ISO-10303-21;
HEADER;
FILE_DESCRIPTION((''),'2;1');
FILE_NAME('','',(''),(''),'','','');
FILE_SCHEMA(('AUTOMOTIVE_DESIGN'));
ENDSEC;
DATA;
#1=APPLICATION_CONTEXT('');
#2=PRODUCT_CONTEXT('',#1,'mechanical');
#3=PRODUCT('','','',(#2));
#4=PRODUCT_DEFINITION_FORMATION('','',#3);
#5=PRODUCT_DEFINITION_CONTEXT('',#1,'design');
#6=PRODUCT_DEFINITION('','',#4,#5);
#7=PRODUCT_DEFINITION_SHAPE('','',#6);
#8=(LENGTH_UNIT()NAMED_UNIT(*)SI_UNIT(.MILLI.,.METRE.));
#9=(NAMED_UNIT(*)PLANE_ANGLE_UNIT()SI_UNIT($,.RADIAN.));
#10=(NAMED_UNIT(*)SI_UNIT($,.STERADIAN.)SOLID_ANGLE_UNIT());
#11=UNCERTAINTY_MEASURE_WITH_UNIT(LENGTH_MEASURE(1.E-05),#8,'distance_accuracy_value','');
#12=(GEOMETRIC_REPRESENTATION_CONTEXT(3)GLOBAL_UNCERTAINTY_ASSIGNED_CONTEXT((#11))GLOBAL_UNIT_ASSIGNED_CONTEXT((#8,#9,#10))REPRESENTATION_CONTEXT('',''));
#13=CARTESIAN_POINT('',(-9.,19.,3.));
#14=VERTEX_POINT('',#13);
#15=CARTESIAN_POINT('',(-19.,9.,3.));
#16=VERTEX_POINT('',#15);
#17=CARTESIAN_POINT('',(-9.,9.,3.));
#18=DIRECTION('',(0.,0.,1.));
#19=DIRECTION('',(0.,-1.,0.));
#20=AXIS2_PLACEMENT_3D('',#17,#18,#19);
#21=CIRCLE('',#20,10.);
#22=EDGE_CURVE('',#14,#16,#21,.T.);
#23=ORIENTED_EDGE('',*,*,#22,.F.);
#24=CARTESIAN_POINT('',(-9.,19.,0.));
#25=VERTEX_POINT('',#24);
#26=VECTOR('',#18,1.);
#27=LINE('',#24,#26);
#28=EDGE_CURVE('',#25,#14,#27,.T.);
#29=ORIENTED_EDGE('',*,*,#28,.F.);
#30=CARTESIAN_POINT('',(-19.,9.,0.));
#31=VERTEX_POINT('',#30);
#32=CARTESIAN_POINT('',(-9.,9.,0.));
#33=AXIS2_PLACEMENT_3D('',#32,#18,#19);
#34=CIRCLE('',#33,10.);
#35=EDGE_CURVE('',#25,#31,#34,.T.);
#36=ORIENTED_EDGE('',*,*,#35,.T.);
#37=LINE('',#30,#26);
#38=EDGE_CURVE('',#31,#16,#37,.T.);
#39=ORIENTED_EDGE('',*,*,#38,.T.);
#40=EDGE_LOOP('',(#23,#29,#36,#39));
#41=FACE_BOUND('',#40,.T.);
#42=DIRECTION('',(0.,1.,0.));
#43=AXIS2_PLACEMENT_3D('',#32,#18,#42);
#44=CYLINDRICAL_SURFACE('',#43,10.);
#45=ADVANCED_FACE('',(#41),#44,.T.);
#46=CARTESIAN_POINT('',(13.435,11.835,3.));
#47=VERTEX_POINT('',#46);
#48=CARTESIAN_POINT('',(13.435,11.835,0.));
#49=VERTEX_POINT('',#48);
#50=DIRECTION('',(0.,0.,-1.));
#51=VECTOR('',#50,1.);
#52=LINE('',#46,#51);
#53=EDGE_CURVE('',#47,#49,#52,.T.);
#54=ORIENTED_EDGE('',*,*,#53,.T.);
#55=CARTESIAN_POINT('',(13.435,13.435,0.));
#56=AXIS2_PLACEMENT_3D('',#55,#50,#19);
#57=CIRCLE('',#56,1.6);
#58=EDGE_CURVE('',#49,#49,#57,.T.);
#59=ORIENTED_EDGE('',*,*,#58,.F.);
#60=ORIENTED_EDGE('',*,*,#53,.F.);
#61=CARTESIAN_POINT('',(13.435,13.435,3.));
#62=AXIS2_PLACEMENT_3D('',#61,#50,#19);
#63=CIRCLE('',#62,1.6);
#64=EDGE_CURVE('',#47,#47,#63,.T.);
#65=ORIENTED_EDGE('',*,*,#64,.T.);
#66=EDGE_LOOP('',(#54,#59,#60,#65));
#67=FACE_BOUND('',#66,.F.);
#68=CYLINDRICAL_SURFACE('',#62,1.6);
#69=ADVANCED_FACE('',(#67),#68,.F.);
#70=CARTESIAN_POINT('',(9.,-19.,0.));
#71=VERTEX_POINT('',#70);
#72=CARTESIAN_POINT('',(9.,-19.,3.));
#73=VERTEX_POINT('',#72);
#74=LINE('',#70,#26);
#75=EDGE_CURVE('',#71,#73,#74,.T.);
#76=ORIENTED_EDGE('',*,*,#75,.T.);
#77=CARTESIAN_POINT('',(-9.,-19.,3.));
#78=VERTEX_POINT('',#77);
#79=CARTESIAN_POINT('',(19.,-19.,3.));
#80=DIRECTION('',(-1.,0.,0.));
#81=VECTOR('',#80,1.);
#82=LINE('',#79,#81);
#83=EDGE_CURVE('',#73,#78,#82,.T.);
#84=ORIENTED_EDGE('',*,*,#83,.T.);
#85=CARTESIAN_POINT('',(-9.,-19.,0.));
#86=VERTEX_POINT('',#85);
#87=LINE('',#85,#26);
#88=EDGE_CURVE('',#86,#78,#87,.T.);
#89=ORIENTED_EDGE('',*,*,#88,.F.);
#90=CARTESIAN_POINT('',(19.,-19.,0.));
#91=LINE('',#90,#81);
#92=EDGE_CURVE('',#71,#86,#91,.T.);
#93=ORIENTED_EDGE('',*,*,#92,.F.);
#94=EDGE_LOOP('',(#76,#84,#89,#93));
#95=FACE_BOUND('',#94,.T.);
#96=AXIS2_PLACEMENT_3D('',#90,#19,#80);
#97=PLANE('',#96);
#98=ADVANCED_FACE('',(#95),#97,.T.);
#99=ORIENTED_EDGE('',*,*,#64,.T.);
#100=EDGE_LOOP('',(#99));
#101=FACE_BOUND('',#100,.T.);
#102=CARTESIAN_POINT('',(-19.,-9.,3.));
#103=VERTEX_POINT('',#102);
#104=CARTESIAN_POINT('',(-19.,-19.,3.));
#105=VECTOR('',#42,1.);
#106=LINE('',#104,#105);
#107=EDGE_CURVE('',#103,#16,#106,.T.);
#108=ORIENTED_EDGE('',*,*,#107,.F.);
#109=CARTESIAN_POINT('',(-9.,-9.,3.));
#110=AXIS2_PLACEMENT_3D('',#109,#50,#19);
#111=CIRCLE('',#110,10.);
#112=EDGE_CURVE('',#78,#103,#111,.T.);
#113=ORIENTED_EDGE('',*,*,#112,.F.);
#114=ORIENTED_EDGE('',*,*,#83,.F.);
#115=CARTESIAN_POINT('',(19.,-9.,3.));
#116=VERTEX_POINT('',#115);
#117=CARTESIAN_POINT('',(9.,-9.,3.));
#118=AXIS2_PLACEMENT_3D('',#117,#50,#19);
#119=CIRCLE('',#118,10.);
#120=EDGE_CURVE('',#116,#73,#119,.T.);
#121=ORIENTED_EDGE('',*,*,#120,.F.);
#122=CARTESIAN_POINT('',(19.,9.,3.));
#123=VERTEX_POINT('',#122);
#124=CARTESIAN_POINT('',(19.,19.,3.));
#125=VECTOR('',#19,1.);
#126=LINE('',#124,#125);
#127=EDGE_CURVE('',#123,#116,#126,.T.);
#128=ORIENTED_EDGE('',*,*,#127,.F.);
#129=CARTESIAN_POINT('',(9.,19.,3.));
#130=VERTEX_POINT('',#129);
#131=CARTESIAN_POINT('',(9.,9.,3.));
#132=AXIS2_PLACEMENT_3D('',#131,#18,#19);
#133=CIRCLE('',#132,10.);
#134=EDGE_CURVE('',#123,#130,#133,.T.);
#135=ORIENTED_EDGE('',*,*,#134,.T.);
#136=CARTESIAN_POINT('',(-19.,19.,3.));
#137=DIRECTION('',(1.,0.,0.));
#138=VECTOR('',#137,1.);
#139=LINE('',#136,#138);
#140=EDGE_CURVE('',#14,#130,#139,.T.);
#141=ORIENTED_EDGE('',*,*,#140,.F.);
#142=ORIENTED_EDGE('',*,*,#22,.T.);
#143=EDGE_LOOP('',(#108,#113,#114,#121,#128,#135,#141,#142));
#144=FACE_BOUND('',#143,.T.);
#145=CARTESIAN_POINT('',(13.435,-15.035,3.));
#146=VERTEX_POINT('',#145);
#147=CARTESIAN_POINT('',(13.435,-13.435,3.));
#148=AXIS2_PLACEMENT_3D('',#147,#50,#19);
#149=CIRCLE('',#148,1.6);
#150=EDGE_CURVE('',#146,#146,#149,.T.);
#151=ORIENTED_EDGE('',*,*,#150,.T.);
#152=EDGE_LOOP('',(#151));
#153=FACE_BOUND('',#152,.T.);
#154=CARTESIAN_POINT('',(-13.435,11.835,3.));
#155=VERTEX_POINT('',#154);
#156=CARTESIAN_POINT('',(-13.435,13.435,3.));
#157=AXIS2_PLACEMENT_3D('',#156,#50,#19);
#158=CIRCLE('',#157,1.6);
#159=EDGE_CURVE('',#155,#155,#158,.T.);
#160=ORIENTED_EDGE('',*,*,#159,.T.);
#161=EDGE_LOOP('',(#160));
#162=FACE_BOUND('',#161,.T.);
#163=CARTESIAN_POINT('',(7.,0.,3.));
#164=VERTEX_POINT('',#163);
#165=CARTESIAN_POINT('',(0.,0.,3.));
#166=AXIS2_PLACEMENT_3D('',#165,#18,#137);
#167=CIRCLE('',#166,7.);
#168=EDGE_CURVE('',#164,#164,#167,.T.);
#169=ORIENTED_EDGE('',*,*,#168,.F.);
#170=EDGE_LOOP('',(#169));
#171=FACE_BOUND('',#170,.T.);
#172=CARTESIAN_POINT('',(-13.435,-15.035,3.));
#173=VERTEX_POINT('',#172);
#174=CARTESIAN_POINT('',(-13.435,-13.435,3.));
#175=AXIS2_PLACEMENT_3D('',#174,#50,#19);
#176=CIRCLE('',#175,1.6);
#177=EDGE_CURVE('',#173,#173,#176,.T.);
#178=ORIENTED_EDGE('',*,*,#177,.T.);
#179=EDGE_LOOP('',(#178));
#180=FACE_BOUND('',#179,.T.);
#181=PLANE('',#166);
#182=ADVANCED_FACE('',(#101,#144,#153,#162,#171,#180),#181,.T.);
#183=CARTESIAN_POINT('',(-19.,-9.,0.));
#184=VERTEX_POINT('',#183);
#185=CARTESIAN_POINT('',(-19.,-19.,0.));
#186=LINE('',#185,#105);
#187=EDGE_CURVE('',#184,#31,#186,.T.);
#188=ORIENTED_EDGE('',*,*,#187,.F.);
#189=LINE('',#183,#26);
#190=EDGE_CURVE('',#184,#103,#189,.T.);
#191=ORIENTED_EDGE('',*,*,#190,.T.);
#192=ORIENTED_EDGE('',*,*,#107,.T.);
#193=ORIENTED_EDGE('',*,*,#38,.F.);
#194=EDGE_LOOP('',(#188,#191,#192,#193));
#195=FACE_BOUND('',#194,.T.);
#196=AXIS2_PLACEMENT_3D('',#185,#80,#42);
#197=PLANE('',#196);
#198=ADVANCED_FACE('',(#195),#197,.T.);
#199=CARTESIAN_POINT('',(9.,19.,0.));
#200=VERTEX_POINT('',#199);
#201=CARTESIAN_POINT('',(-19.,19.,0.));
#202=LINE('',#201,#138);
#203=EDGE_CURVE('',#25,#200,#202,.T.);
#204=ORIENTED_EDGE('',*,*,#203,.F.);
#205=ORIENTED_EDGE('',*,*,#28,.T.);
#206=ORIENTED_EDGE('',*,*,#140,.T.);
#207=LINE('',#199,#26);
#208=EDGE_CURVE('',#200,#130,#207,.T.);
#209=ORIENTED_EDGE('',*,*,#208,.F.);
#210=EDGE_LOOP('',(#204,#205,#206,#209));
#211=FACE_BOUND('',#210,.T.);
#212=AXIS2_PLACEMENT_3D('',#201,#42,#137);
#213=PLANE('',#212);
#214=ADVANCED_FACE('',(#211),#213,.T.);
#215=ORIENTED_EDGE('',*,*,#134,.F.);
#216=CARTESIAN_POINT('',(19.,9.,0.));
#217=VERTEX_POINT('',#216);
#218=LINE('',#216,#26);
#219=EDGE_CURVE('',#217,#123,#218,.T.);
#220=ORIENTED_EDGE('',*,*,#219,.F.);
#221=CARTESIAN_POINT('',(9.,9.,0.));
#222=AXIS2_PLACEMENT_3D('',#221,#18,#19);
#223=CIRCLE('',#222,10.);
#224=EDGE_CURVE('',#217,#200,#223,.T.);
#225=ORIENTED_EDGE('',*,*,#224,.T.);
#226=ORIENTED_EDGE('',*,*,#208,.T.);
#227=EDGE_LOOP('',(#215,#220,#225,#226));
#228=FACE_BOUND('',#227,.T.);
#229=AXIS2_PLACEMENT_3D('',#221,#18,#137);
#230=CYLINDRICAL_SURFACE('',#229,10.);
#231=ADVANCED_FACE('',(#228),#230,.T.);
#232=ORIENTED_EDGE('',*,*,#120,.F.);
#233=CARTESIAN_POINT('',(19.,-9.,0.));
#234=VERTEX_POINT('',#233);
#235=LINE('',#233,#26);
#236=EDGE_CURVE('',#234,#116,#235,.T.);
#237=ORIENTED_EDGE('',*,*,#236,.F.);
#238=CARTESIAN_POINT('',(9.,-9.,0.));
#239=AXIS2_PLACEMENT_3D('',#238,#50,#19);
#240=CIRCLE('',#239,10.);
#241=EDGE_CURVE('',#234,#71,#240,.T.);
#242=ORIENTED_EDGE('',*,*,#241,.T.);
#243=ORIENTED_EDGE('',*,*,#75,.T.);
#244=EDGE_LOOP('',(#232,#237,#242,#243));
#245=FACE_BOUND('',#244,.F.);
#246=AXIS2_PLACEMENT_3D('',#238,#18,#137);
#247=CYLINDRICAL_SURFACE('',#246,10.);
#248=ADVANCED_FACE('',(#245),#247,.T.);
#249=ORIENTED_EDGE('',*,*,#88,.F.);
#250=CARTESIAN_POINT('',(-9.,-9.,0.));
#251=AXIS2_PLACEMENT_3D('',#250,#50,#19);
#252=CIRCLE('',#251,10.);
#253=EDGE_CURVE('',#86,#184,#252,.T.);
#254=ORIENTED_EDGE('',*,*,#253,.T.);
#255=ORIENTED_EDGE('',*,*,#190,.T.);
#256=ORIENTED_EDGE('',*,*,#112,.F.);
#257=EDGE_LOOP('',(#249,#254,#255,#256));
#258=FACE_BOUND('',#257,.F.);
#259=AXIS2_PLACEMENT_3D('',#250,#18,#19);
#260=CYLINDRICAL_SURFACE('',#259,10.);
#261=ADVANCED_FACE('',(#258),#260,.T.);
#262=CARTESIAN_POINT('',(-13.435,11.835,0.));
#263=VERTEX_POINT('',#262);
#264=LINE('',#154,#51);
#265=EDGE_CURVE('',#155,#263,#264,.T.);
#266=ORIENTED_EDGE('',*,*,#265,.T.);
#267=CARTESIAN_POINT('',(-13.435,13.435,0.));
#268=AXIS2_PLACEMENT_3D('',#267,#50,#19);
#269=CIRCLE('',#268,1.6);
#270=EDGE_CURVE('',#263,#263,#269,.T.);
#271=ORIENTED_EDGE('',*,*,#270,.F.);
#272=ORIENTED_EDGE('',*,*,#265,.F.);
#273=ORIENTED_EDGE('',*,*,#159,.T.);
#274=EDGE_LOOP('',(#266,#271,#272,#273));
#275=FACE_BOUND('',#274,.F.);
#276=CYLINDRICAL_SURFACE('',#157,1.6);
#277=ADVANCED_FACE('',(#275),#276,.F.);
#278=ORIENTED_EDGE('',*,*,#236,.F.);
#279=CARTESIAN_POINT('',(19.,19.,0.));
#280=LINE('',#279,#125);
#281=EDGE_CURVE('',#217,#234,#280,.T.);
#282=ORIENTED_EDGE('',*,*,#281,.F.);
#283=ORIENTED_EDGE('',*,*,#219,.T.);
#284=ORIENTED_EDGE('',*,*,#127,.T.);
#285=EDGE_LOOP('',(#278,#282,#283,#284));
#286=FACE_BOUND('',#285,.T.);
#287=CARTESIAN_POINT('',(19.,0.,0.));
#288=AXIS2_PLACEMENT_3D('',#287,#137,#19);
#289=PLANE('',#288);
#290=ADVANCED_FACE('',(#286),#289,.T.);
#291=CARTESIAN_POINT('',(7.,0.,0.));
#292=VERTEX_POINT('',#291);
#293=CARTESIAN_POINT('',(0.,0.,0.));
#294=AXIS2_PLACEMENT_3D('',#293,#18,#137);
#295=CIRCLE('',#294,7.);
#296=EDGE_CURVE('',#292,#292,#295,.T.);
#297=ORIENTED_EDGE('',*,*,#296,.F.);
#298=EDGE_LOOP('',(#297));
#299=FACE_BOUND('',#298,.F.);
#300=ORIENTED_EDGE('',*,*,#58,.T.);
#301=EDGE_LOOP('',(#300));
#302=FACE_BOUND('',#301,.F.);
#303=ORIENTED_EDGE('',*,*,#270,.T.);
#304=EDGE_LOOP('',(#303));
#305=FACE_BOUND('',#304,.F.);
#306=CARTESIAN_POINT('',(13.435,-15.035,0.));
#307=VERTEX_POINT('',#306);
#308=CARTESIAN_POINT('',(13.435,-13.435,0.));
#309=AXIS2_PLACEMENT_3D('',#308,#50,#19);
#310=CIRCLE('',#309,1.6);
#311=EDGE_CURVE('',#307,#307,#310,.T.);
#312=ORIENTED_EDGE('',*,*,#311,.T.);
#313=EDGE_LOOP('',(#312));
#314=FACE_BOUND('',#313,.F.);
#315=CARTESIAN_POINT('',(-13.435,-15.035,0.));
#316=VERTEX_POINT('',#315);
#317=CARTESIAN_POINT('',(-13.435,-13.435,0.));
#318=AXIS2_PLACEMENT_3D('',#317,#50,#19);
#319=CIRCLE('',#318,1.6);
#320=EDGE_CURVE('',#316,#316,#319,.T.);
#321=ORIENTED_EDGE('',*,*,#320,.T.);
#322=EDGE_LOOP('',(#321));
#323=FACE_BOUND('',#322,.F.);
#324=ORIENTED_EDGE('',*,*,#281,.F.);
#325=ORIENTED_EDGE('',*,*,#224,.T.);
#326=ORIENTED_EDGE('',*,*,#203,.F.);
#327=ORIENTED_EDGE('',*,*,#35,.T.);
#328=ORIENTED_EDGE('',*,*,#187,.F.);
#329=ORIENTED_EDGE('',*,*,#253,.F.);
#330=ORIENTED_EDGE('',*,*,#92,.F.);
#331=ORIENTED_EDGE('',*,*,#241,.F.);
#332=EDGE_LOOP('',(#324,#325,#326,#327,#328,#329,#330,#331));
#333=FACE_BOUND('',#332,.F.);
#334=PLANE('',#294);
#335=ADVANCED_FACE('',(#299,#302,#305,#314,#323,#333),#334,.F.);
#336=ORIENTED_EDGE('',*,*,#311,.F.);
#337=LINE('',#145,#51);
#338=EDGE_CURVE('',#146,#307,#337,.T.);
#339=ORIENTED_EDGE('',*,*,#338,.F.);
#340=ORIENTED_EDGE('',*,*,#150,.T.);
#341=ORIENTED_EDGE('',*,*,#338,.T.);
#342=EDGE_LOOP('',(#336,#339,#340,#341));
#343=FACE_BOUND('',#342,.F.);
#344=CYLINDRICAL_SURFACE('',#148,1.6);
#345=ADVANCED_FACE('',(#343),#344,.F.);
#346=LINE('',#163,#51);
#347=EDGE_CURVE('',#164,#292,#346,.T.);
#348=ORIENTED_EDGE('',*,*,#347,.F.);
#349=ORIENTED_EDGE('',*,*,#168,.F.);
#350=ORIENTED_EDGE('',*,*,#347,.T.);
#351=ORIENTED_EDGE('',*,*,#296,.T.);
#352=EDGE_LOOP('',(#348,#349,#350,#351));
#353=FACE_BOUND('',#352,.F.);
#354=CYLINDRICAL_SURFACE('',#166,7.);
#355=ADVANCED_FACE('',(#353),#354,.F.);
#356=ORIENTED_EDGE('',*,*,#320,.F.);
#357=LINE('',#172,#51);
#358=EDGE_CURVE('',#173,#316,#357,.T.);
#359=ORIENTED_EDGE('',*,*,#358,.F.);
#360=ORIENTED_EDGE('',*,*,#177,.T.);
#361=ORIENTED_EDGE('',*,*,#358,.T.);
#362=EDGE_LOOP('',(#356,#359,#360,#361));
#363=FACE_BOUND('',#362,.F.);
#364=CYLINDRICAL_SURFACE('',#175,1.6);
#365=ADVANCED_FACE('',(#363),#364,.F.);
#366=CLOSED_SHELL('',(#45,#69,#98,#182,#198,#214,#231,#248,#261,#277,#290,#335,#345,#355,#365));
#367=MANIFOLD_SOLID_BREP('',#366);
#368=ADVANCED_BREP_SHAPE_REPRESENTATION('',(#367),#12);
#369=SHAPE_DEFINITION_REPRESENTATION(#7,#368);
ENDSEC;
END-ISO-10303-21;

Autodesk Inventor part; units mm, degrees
ref_plane "YZ Plane" through (0, 0, 0) normal (1, 0, 0) x (0, 1, 0)
ref_plane "XZ Plane" through (0, 0, 0) normal (0, 1, 0) x (-1, 0, 0)
ref_plane "XY Plane" through (0, 0, 0) normal (0, 0, 1) x (1, 0, 0)
sketch "スケッチ1" plane through (0, 0, 0) normal (0, 0, 1) x (1, 0, 0)
  circle A0 centre (0, 0) radius 19
  line L0 (-19, 19) -> (19, 19)
  line L1 (19, 19) -> (19, -19)
  line L2 (19, -19) -> (-19, -19)
  line L3 (-19, -19) -> (-19, 19)
  dimension "d0" = 38
extrude "押し出し1" add sketch "スケッチ1" along normal blind 3
sketch "スケッチ2" plane through (0, 0, 3) normal (0, 0, 1) x (1, 0, 0)
  circle A0 centre (0, 0) radius 7
  dimension "d3" = 14
extrude "押し出し2" cut sketch "スケッチ2" against normal blind 3
sketch "スケッチ3" plane through (0, 0, 3) normal (0, 0, 1) x (1, 0, 0)
  circle A0 centre (0, 0) radius 19
  line L0 (0, 0) -> (-13.435, 13.435)
  line L1 (0, 0) -> (0, 19)
  point P0 (-13.435, -13.435)
  point P1 (13.435, -13.435)
  point P2 (13.435, 13.435)
  dimension "d6" = 38
  dimension "d7" = 45
  dimension "d10" = 360
hole "穴1" at (-13.435, 13.435, 3) at (-13.435, -13.435, 3) at (13.435, -13.435, 3) at (13.435, 13.435, 3) direction (0, 0, -1) diameter 3.2 end through all
fillet "フィレット1" radius 10 4 edges at (-19, 19, 1.5) (19, 19, 1.5) (19, -19, 1.5) (-19, -19, 1.5)
properties part number "hand1_part3" material "アルミニウム 6061"
